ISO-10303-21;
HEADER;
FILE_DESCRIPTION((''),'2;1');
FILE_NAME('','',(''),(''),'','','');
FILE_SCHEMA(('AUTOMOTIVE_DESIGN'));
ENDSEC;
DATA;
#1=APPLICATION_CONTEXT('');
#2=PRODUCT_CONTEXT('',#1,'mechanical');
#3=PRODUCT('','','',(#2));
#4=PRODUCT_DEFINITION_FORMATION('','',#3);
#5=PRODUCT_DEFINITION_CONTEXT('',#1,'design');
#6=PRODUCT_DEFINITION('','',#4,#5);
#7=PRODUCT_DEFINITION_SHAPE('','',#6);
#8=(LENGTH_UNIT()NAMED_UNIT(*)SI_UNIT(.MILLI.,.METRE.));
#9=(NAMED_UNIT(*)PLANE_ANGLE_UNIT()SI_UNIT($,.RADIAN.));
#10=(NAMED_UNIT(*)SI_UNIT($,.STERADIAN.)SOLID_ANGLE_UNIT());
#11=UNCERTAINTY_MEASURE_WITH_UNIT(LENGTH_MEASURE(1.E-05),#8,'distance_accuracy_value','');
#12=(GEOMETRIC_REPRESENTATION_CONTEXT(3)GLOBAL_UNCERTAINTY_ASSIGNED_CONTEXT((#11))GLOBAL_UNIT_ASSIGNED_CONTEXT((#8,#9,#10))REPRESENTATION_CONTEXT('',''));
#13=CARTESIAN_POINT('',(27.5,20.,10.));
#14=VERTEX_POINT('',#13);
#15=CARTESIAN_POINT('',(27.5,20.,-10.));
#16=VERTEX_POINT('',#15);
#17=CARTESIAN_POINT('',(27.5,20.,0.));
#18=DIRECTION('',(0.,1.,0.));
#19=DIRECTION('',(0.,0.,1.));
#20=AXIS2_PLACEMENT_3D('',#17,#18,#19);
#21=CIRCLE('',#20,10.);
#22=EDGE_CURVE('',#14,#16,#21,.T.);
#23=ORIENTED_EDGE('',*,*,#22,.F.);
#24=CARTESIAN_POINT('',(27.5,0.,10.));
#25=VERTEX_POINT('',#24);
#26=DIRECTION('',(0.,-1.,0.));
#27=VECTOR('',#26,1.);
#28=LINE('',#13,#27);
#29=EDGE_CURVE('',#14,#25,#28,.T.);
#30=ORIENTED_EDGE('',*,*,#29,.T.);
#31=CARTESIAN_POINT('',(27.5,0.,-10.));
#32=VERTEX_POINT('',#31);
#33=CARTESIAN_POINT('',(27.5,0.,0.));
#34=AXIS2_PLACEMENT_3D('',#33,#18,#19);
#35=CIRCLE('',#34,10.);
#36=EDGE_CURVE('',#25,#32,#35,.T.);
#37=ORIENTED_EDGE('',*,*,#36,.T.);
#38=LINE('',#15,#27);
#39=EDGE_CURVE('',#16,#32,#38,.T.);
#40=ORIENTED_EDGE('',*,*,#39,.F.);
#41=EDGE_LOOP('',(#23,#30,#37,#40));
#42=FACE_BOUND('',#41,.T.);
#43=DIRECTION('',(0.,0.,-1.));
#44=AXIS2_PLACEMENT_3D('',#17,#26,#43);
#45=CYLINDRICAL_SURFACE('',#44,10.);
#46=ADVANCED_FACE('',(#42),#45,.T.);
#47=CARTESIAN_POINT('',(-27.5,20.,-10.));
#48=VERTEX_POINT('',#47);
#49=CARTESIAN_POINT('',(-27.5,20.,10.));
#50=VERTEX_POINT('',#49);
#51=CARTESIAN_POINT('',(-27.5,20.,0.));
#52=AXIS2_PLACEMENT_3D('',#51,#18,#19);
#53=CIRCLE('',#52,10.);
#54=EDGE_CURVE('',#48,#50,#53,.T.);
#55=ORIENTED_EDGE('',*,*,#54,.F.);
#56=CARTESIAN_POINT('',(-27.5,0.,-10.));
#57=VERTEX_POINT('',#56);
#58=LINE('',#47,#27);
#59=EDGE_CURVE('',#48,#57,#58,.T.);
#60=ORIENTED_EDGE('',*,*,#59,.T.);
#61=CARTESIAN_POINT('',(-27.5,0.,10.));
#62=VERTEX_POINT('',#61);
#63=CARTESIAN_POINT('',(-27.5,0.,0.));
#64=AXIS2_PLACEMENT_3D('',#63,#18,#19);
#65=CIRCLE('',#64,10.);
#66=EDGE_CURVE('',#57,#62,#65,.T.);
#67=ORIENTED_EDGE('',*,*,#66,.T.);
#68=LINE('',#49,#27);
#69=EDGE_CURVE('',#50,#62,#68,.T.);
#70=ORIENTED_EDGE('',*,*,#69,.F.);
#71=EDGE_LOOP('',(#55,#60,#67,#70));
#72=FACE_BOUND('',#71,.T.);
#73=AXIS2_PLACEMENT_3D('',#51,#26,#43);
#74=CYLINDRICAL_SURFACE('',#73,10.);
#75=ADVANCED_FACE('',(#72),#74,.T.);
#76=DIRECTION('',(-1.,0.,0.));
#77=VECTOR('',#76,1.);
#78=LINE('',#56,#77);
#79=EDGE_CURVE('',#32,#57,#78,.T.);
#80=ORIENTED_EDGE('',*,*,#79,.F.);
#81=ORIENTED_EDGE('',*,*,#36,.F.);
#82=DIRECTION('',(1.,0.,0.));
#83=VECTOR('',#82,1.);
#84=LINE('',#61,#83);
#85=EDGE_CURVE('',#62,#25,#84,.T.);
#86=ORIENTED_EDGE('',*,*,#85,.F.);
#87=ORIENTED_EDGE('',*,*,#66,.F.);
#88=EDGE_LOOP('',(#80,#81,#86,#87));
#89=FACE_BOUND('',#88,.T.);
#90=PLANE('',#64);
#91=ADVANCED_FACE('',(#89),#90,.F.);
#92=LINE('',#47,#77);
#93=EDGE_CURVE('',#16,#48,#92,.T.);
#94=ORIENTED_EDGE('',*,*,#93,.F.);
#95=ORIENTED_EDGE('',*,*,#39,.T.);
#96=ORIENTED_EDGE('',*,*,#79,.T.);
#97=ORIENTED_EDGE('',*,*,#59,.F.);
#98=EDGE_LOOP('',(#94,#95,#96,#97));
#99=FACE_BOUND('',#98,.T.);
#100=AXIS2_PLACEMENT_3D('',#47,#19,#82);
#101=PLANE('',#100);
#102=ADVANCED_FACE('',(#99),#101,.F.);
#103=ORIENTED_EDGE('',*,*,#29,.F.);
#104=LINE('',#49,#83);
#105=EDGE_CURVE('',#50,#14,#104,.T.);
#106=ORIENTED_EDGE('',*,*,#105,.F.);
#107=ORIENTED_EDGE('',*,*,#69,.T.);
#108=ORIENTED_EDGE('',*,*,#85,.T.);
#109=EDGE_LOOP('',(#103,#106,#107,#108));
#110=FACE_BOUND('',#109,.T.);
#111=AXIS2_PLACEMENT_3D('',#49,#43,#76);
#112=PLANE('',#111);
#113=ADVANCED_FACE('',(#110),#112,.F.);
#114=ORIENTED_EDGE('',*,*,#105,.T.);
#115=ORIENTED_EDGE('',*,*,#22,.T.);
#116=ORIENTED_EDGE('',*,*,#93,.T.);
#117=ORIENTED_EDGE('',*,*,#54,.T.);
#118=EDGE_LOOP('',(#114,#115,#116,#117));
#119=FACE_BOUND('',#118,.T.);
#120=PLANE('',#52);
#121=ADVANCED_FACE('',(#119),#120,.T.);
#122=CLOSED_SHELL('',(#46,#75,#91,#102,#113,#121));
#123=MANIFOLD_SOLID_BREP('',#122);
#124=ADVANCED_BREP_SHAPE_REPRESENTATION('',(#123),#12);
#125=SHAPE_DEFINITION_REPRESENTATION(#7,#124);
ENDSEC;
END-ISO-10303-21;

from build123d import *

# Parameters (mm, degrees)
BOSS_EXTRUDE1_DEPTH = 20


with BuildPart() as part:
    # Sketch1 → Boss-Extrude1 (new body)
    with BuildSketch(Plane(origin=(0, 0, 0), x_dir=(1, 0, 0), z_dir=(0, 1, 0))):
        with BuildLine():
            Line((-27.5, 10), (27.5, 10))
            ThreePointArc((27.5, 10), (37.5, 0), (27.5, -10))
            Line((27.5, -10), (-27.5, -10))
            ThreePointArc((-27.5, -10), (-37.5, 0), (-27.5, 10))
        make_face()
    extrude(amount=BOSS_EXTRUDE1_DEPTH)


solid = part.part
